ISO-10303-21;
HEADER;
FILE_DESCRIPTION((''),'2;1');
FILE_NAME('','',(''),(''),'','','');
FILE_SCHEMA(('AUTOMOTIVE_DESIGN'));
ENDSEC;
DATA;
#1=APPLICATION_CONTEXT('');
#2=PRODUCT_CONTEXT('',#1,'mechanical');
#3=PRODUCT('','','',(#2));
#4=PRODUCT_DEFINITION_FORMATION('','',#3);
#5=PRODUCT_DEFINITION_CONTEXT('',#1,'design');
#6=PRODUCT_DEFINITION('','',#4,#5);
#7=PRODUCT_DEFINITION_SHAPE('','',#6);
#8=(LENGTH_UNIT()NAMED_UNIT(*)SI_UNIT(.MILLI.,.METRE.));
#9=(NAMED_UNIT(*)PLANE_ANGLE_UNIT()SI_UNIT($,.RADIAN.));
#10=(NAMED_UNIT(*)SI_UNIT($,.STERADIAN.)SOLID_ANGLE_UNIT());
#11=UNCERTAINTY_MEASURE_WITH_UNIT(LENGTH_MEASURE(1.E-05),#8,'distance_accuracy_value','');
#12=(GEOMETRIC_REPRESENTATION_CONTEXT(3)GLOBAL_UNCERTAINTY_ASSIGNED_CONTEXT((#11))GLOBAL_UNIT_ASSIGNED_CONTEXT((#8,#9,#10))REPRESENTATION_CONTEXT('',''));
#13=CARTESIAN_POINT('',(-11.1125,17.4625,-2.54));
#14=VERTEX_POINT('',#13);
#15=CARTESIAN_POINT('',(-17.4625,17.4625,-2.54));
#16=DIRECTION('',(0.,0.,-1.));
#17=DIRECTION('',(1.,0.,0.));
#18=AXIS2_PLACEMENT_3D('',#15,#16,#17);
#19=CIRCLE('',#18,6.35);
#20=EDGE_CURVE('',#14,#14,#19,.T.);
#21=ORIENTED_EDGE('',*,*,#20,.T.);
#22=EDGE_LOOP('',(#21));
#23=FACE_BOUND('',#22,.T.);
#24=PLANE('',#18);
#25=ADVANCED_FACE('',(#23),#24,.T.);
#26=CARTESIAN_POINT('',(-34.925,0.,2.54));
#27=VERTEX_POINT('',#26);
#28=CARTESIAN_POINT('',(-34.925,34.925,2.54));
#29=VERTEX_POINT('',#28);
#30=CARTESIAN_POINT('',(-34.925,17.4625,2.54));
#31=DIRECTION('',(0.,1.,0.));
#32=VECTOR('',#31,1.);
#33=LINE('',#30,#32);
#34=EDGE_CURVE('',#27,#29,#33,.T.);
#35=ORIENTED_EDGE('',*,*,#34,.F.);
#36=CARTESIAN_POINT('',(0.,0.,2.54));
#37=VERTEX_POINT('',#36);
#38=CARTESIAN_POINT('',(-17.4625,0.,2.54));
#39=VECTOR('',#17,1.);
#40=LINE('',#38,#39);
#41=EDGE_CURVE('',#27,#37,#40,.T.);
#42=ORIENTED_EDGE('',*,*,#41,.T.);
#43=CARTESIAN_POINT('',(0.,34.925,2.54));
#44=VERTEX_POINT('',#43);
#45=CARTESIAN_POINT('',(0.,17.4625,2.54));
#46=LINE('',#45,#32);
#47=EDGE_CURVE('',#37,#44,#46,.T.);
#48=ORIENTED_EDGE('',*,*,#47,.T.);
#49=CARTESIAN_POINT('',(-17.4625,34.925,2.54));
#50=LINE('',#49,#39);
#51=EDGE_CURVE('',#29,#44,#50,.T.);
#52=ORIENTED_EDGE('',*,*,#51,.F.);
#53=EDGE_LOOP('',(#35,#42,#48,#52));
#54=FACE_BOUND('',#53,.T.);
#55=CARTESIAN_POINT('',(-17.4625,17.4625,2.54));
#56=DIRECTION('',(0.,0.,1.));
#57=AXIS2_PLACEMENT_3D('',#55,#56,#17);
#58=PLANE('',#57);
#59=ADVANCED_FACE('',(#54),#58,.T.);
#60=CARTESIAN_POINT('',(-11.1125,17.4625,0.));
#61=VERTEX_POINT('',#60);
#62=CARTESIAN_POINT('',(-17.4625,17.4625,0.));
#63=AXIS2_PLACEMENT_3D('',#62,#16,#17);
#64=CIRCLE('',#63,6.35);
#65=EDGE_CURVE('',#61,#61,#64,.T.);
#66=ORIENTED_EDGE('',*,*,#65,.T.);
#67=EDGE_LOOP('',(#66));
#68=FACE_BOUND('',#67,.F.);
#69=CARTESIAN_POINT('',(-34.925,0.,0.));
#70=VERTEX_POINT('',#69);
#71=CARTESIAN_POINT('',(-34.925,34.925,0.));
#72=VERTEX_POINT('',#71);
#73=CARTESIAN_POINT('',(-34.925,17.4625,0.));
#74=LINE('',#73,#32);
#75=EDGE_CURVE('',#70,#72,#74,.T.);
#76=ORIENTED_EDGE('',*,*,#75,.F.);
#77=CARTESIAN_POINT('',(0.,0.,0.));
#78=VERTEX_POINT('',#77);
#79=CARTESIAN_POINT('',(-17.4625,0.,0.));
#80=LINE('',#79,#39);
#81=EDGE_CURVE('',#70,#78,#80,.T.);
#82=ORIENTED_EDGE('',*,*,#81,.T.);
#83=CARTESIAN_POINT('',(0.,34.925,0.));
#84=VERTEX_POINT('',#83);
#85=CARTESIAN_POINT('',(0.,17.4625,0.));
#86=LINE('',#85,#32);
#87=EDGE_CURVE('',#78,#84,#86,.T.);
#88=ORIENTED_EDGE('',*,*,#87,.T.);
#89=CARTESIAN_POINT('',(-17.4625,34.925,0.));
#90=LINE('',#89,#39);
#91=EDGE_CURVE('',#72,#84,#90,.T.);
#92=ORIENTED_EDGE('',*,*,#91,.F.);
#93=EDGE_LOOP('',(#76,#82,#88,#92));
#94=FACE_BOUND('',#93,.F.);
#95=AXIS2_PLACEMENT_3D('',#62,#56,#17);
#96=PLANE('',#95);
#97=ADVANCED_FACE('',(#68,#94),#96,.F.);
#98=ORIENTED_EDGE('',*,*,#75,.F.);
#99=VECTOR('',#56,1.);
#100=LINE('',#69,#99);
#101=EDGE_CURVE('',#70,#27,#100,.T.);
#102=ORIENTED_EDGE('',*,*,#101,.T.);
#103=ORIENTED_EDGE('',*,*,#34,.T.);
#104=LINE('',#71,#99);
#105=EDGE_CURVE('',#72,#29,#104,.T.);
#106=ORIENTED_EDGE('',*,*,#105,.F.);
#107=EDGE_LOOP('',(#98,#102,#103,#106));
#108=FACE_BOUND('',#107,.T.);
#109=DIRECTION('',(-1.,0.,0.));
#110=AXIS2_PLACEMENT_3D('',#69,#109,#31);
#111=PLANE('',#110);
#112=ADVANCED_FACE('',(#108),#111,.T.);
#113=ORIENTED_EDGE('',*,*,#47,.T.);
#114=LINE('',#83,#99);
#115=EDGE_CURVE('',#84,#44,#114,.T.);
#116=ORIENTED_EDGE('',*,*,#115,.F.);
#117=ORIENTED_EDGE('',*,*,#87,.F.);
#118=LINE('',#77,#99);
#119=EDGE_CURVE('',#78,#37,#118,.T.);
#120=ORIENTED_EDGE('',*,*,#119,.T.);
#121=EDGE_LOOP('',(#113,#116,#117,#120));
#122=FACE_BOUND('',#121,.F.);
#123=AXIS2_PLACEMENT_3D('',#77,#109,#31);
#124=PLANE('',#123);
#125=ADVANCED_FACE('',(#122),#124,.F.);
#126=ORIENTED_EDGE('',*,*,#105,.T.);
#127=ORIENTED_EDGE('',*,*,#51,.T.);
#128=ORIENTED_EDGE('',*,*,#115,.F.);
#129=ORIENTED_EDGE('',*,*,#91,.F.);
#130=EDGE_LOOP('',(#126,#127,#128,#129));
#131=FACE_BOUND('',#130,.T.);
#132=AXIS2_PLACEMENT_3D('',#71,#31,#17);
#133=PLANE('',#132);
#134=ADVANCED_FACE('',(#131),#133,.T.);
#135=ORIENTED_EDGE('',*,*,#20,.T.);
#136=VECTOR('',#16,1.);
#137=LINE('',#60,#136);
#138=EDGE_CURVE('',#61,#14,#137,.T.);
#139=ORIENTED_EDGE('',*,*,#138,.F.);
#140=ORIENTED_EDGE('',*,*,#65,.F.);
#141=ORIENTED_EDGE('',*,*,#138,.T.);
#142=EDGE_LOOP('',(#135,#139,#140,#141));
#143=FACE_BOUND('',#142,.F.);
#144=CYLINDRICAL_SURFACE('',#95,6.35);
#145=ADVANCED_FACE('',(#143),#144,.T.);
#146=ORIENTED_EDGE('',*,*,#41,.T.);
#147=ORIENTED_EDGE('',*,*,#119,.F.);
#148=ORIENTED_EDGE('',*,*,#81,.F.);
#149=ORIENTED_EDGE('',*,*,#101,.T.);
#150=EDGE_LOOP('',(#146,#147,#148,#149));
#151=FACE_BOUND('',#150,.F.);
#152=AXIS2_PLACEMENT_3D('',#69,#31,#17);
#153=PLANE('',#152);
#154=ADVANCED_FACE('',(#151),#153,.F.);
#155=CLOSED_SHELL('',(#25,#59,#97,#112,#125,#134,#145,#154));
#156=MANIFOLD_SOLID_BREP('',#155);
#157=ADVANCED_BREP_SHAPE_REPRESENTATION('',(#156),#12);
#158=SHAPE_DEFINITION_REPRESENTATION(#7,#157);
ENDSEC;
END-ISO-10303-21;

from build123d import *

# Parameters (mm, degrees)
F0_W     = 34.925
F0_H     = 34.925
F1_DEPTH = 2.54
F2_R     = 6.35
F3_DEPTH = 2.54


with BuildPart() as f1:
    # F0 (on Top) → F1 (new body)
    with BuildSketch(Plane.XY):
        with Locations((-17.4625, 17.4625)):
            Rectangle(F0_W, F0_H)
    extrude(amount=F1_DEPTH)

    # F2 (on face) → F3 (join)
    with BuildSketch(Plane(origin=(0, 0, 0), x_dir=(1, 0, 0), z_dir=(0, 0, -1))):
        with Locations((-17.4625, -17.4625)):
            Circle(F2_R)
    extrude(amount=F3_DEPTH)


solid = f1.part
